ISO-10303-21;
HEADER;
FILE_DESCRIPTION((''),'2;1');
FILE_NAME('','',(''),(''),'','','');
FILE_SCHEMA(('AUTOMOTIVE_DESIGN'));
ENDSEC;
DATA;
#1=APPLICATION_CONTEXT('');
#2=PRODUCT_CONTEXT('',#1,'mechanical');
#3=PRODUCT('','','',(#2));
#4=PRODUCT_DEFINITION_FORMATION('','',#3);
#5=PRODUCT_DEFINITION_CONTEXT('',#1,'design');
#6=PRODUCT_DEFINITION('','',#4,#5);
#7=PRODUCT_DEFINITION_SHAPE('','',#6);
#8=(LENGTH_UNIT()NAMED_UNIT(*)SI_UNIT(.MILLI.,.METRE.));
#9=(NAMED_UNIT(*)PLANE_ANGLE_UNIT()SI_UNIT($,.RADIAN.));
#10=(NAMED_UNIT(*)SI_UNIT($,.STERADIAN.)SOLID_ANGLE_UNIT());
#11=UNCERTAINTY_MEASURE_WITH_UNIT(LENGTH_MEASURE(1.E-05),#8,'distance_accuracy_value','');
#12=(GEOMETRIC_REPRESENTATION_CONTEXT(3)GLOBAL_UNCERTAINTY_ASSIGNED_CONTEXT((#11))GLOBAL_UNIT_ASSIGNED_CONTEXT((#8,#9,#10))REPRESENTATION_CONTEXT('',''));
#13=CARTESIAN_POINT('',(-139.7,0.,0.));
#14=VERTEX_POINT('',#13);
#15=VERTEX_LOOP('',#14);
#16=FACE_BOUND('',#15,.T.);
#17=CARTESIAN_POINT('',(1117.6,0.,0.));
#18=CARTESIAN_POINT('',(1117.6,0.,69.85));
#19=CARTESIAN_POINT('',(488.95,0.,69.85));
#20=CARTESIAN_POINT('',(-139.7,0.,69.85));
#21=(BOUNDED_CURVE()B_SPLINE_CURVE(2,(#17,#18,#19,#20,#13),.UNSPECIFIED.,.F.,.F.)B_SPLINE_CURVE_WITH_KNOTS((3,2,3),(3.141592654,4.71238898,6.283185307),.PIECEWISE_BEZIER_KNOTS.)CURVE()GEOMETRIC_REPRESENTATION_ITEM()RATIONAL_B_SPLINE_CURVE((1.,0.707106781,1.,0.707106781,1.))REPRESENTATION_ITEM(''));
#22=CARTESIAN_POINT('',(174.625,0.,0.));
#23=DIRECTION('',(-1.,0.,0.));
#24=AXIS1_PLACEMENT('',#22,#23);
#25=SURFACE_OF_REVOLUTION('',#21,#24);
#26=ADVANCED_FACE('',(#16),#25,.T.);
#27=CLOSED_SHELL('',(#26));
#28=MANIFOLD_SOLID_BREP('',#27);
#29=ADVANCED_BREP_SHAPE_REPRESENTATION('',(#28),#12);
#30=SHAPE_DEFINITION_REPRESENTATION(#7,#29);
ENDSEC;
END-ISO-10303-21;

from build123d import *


with BuildPart() as f2:
    # F1 (on Front) → F2 (revolve)
    with BuildSketch(Plane.XZ):
        with BuildLine():
            Line((-628.65, 0), (628.65, 0))
            add(Edge.make_bspline(
                [(628.65, 0), (628.65, 69.85), (0, 69.85), (-628.65, 69.85), (-628.65, 0)],
                knots=[3.1415926536, 3.1415926536, 3.1415926536, 4.7123889804, 4.7123889804, 6.2831853072, 6.2831853072, 6.2831853072], degree=2, weights=[1, 0.7071067812, 1, 0.7071067812, 1]))
        make_face()
    revolve(axis=Axis((-314.325, 0, 0), (-1, 0, 0)))


with BuildPart() as f2_1:
    # F3: moved
    add(f2.part.moved(Location((488.95, 0, 0))))


solid = f2_1.part
